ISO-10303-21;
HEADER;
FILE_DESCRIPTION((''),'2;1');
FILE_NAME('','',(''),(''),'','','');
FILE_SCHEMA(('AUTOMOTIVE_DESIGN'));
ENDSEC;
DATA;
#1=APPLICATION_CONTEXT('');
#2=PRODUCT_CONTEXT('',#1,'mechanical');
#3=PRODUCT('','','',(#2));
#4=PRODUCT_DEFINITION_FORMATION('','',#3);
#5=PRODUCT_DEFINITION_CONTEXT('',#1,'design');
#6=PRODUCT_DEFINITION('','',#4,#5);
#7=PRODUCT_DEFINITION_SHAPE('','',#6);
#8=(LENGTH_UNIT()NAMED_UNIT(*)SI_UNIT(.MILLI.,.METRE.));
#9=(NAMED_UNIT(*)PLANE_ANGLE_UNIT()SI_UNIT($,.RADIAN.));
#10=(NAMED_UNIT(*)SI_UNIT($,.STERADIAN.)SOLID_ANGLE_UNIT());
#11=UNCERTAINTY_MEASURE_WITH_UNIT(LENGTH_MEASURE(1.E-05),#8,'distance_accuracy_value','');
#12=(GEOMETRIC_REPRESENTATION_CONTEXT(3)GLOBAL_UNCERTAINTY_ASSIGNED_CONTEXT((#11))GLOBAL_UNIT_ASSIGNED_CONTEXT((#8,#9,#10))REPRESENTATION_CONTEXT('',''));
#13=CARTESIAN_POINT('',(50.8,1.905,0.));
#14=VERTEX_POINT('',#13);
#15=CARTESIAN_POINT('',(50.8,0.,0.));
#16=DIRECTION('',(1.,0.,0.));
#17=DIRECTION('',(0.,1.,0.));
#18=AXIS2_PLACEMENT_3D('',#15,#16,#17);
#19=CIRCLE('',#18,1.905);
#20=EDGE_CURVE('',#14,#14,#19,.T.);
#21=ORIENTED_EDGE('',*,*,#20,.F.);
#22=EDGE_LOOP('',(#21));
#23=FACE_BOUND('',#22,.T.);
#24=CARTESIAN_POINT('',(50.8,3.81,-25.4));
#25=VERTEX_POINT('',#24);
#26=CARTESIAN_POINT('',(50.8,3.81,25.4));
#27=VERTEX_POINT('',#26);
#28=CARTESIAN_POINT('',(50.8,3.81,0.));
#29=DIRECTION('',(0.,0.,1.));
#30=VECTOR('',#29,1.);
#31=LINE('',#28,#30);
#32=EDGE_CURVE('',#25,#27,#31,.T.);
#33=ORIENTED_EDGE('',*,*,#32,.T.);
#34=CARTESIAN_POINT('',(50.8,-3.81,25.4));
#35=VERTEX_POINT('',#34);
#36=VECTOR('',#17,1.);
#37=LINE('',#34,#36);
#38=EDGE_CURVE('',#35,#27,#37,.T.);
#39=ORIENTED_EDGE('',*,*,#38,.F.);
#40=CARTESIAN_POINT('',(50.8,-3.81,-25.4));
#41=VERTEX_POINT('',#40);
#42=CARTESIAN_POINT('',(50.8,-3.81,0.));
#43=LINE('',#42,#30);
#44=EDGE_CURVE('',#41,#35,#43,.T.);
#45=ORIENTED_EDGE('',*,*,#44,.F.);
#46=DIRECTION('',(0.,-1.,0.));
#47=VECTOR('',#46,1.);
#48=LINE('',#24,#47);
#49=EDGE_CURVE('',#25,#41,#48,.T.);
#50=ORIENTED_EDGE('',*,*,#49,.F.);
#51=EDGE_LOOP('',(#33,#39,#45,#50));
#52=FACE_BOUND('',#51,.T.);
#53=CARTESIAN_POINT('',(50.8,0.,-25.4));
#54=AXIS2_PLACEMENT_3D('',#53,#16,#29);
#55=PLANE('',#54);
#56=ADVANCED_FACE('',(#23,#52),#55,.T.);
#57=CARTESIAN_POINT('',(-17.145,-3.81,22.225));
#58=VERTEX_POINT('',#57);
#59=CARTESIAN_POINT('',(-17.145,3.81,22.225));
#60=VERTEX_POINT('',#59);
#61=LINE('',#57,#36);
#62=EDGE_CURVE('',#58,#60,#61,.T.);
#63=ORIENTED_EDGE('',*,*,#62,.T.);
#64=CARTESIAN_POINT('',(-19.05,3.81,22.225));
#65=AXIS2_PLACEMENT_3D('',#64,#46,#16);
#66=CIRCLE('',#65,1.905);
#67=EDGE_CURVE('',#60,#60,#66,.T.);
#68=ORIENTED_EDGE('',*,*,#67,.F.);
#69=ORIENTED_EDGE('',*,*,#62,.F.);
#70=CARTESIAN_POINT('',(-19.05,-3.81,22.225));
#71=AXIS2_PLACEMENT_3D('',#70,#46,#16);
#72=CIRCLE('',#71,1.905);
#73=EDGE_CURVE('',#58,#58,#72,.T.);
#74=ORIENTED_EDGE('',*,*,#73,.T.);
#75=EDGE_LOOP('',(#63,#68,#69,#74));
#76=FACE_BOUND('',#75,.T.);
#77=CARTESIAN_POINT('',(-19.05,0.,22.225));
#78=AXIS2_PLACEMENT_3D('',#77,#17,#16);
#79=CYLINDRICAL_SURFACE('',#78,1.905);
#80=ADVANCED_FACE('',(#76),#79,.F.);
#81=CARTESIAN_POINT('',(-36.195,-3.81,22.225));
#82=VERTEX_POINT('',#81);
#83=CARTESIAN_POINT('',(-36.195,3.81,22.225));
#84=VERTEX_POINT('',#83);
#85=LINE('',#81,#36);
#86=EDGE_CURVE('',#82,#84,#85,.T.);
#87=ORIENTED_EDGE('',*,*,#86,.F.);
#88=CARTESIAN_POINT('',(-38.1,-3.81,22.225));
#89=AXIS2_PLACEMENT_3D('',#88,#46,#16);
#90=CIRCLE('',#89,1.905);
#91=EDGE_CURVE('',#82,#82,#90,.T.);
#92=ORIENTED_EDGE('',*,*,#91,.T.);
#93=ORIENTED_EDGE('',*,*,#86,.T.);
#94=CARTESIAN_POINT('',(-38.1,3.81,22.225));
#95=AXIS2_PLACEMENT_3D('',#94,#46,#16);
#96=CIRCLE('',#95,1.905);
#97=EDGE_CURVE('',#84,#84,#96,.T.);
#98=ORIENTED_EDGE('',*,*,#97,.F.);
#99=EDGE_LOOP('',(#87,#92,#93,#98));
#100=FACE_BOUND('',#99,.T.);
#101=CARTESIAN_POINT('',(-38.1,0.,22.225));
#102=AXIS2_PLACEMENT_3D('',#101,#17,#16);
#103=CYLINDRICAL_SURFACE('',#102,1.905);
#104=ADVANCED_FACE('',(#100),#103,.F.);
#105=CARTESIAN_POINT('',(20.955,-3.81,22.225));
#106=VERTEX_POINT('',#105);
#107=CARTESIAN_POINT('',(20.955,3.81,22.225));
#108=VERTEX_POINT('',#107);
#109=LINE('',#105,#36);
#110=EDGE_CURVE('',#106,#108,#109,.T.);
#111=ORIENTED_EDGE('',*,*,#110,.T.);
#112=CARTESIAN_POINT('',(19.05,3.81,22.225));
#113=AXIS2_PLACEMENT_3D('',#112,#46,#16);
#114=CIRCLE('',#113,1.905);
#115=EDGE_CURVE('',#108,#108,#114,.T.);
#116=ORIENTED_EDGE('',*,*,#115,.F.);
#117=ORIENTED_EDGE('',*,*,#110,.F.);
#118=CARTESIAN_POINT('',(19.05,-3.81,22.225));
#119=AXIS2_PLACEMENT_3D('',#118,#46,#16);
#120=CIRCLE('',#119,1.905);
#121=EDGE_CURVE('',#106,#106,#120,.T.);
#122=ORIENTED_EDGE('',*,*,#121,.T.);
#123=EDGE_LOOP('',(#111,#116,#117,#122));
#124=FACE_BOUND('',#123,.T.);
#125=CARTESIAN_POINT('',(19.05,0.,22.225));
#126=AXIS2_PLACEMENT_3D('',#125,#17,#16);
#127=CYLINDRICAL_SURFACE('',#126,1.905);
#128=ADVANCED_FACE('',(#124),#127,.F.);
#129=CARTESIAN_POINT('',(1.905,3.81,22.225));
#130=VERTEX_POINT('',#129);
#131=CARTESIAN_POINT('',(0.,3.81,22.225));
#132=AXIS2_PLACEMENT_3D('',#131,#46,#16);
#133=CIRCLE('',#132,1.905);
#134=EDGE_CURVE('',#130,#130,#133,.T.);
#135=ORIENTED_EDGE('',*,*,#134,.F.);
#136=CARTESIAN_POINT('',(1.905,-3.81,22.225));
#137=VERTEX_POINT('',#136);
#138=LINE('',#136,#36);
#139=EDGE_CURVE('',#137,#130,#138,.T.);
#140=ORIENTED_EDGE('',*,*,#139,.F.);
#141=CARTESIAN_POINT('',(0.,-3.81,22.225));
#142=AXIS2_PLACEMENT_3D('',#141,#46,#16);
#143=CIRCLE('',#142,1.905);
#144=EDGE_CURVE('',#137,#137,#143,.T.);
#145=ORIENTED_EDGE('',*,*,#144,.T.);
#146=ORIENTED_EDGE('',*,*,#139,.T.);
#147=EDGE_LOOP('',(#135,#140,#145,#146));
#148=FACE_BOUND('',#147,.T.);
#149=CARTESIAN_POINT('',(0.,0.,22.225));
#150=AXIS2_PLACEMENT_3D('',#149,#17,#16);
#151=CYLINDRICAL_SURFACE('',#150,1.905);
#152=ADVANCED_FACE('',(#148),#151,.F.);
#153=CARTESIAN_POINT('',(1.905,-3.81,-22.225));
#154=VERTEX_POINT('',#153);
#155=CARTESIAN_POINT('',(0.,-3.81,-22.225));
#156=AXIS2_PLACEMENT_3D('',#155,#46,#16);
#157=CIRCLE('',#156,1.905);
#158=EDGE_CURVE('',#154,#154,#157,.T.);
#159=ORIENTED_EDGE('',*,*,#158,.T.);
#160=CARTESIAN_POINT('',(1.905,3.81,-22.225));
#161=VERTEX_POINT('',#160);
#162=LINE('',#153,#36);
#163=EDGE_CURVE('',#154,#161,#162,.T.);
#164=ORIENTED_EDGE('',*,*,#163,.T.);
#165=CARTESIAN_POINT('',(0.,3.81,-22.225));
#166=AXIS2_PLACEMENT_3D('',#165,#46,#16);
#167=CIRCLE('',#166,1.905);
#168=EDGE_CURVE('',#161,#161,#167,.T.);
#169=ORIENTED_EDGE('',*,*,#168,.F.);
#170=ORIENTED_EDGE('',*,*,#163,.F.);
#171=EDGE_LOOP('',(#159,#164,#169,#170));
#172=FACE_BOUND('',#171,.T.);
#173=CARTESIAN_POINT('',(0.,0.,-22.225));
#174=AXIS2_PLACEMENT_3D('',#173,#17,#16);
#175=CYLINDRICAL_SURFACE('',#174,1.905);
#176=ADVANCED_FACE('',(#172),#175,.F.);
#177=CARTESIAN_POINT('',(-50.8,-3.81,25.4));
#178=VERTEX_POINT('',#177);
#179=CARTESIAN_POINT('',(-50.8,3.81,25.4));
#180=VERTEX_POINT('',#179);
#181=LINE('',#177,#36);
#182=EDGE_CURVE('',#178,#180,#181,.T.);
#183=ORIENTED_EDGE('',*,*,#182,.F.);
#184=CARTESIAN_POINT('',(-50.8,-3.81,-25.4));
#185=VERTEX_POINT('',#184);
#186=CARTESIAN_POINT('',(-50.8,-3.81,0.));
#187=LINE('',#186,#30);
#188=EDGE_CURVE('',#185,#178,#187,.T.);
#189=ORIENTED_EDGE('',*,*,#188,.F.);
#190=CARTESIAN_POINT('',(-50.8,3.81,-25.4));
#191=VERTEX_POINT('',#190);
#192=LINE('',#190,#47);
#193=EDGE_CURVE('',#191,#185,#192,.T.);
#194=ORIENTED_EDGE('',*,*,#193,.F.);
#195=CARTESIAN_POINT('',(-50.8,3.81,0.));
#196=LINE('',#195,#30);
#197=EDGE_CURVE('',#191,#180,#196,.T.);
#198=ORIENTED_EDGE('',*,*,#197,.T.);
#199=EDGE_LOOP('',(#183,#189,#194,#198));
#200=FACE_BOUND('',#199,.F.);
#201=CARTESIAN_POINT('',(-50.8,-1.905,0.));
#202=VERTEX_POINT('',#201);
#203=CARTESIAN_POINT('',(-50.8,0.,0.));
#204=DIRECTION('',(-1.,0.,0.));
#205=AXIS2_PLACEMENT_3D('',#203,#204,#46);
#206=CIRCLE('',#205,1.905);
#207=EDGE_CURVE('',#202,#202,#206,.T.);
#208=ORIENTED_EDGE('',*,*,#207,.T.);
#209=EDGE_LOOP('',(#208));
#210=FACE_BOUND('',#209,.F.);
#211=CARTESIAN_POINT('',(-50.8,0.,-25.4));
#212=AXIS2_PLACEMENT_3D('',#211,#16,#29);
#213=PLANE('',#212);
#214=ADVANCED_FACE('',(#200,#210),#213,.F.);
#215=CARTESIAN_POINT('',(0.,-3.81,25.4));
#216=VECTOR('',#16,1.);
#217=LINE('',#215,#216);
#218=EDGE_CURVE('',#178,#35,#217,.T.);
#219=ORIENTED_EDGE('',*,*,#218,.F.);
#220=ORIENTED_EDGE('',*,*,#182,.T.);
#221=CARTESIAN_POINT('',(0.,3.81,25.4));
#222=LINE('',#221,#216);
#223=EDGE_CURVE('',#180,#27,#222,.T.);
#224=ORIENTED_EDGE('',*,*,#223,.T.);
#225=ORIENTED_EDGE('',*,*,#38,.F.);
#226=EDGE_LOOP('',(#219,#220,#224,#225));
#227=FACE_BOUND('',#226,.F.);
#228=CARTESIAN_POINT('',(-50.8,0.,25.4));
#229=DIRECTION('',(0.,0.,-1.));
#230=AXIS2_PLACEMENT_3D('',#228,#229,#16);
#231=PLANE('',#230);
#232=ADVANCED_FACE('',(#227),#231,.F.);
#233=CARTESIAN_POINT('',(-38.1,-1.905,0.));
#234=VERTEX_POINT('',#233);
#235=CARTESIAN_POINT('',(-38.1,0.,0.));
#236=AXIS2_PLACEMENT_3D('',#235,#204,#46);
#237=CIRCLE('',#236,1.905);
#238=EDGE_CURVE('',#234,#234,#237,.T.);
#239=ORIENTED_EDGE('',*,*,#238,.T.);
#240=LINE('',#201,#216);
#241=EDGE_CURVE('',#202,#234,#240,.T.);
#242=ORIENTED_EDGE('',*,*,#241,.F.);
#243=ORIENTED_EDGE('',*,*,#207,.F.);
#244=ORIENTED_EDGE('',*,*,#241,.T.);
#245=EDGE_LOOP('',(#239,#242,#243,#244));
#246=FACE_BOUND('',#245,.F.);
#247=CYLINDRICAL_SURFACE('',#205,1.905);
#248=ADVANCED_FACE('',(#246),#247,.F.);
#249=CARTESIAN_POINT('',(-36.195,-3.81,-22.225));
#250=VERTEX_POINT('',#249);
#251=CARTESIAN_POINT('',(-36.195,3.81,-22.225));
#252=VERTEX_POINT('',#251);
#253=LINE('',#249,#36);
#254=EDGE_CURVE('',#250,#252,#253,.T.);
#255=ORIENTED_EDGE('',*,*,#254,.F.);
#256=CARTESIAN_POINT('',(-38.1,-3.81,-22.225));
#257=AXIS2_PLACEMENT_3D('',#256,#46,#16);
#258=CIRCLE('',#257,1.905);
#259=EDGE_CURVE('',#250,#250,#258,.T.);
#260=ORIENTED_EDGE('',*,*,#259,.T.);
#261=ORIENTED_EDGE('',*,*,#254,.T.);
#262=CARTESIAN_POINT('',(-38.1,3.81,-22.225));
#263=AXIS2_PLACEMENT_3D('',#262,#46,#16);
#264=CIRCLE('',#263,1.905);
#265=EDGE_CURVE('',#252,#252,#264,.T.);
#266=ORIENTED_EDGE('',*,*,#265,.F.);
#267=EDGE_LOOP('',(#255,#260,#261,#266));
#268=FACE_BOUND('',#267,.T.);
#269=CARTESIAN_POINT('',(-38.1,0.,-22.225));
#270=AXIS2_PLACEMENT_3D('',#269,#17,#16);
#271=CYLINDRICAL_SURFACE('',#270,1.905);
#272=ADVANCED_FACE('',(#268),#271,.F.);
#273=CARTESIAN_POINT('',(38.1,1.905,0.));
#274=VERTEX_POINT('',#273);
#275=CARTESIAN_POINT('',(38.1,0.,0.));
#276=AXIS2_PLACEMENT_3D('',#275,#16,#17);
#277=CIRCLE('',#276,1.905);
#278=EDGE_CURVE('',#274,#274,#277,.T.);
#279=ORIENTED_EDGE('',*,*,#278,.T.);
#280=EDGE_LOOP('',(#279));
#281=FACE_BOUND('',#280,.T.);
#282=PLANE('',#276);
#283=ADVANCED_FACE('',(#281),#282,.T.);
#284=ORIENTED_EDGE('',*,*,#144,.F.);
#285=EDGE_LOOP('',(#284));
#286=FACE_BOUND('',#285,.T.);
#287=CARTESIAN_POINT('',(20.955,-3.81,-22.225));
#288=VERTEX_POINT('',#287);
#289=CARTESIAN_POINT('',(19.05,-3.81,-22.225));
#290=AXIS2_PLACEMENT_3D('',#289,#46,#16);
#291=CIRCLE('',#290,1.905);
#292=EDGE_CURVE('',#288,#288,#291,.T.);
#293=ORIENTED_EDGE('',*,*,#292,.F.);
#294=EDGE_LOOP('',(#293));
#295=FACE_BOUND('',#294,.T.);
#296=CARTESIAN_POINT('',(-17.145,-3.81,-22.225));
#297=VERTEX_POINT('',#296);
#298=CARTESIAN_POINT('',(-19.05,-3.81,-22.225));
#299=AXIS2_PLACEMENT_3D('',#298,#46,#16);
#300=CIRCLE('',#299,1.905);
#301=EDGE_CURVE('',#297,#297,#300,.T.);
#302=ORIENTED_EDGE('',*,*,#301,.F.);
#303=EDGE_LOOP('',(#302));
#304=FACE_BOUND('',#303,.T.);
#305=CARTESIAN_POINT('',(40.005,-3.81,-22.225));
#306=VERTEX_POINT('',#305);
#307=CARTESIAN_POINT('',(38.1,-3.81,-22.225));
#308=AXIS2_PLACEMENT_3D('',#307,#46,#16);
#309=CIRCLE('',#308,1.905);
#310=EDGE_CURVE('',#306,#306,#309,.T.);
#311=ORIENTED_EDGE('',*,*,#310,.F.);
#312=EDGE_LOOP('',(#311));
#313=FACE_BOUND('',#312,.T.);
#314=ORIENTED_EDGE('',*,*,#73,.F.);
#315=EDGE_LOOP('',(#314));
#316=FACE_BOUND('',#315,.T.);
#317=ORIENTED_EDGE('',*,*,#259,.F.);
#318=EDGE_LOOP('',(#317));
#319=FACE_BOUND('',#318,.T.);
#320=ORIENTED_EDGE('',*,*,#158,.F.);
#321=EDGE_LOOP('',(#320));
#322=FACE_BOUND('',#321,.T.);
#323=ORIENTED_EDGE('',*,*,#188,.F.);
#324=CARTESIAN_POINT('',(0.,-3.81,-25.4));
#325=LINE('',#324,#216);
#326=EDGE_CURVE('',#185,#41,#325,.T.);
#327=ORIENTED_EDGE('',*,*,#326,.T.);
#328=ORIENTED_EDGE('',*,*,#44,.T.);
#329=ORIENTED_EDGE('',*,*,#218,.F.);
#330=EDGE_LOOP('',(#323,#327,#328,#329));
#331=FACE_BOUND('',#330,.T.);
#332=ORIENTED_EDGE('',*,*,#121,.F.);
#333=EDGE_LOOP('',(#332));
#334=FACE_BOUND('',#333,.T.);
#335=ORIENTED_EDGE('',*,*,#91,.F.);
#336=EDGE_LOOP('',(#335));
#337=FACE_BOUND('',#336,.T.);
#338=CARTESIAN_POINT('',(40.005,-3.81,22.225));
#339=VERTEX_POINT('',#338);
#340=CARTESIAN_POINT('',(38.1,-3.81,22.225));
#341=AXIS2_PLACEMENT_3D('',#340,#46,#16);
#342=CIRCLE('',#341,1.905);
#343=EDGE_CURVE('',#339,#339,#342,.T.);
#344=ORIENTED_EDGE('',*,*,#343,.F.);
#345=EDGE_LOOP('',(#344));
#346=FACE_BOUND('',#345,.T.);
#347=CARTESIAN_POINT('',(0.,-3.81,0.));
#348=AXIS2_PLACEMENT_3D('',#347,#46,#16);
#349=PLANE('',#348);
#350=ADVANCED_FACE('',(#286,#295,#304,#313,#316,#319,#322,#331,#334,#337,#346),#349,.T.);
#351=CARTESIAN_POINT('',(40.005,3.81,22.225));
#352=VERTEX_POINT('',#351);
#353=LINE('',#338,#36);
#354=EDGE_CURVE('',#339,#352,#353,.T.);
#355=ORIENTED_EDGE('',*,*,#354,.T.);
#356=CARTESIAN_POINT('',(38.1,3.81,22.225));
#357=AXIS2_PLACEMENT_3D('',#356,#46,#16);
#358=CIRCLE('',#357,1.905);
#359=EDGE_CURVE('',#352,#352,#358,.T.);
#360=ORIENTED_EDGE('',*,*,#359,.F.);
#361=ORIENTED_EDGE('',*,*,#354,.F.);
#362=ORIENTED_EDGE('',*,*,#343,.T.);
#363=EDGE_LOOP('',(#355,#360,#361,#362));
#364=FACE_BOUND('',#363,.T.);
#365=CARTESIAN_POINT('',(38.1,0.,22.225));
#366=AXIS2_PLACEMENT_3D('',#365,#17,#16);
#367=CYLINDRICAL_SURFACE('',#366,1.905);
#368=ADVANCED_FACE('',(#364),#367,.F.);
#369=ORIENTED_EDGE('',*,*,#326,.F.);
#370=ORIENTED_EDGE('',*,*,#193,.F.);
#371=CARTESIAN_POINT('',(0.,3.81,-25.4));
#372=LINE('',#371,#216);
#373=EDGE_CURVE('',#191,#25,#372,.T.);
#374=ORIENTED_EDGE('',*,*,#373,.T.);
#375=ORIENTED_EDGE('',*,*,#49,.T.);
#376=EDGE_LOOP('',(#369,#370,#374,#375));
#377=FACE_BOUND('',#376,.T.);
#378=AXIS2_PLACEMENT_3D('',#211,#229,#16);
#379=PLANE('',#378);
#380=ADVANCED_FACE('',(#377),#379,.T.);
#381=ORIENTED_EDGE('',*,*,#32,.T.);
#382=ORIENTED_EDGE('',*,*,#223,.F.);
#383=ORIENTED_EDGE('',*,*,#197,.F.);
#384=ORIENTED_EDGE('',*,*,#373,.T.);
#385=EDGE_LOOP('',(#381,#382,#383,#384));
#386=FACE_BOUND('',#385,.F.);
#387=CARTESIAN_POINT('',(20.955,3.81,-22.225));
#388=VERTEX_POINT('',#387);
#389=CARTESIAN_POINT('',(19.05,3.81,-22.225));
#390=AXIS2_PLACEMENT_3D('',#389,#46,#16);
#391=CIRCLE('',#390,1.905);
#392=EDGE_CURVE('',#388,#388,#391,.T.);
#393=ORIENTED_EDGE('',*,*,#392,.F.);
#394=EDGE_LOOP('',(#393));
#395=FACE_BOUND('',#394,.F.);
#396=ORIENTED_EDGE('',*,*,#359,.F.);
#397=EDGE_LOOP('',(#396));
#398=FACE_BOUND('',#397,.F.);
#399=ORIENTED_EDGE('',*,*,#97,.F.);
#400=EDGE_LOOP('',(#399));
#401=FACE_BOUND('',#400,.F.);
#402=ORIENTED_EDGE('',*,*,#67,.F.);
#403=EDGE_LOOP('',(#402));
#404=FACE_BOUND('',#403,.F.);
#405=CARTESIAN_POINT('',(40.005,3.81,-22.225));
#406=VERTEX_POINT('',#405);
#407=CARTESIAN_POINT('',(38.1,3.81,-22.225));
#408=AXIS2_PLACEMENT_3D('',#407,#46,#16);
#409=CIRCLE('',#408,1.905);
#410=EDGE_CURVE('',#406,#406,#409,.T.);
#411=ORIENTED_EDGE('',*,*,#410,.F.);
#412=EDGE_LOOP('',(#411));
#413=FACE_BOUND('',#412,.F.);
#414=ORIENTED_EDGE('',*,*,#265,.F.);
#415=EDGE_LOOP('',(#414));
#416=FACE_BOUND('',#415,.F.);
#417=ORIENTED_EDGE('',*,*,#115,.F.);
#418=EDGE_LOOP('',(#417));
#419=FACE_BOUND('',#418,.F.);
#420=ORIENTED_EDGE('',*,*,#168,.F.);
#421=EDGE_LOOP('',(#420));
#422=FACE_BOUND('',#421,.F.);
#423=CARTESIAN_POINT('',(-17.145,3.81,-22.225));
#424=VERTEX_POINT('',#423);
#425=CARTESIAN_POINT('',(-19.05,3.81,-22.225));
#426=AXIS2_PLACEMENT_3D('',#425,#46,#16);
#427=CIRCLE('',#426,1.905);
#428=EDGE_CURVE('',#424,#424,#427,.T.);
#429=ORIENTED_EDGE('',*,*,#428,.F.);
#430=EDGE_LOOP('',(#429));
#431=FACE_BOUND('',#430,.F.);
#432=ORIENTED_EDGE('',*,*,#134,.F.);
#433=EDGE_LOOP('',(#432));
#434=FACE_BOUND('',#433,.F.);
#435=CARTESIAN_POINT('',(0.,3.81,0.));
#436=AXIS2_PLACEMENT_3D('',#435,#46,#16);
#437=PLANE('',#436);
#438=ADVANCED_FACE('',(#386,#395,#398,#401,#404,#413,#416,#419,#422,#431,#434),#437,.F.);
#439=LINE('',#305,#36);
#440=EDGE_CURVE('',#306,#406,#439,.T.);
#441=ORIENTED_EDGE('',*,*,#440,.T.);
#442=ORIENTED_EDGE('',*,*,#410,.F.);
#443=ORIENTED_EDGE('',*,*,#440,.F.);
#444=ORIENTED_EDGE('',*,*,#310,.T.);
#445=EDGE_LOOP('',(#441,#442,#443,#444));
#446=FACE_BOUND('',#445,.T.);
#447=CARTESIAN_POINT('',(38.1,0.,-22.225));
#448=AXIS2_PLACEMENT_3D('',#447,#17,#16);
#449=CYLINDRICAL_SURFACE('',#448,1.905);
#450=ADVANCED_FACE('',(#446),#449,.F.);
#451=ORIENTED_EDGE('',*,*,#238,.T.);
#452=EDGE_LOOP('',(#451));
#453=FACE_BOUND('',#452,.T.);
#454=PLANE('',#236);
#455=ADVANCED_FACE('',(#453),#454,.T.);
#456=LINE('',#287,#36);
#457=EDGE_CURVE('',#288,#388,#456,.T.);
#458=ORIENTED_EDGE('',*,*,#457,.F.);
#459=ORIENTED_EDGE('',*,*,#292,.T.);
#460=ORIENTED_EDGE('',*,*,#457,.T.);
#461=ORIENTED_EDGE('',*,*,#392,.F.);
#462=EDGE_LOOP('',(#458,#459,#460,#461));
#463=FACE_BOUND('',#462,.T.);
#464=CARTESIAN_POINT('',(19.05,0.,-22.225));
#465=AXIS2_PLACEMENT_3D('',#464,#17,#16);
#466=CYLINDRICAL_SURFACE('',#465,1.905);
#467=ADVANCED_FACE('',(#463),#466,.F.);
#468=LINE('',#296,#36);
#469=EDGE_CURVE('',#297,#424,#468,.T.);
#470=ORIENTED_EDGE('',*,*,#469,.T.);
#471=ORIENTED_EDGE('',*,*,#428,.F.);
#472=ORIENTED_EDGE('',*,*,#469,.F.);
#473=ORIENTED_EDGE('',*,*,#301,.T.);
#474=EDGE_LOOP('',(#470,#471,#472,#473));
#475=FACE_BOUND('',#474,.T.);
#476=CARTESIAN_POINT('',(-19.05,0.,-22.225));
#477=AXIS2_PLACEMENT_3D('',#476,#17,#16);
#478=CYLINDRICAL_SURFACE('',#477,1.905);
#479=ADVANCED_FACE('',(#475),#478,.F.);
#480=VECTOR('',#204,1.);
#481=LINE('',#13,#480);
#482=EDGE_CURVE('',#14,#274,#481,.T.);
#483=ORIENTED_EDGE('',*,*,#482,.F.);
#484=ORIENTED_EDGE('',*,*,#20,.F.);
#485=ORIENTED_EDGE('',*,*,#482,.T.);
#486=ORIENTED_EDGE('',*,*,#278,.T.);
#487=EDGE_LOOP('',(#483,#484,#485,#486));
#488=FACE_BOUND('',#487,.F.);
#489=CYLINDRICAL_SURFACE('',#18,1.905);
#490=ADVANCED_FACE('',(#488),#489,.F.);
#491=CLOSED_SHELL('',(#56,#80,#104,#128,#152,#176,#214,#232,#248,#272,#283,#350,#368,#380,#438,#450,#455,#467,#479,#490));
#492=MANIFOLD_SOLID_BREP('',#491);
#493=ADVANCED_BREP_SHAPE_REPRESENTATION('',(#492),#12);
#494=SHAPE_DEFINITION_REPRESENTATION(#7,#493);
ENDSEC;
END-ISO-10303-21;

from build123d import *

# Parameters (mm, degrees)
F0_W     = 101.6
F0_H     = 50.8
F0_R     = 1.905
F1_DEPTH = 3.81
F3_R     = 1.905
F4_DEPTH = 12.7
F6_R     = 1.905
F7_DEPTH = 12.7


with BuildPart() as f1:
    # F0 (on Front) → F1 (new body, symmetric)
    with BuildSketch(Plane.XZ):
        Rectangle(F0_W, F0_H)
        with Locations((-38.1, -22.225)):
            Circle(F0_R, mode=Mode.SUBTRACT)
        with Locations((-19.05, -22.225)):
            Circle(F0_R, mode=Mode.SUBTRACT)
        with Locations((0, -22.225)):
            Circle(F0_R, mode=Mode.SUBTRACT)
        with Locations((19.05, -22.225)):
            Circle(F0_R, mode=Mode.SUBTRACT)
        with Locations((38.1, -22.225)):
            Circle(F0_R, mode=Mode.SUBTRACT)
        with Locations((-38.1, 22.225)):
            Circle(F0_R, mode=Mode.SUBTRACT)
        with Locations((-19.05, 22.225)):
            Circle(F0_R, mode=Mode.SUBTRACT)
        with Locations((0, 22.225)):
            Circle(F0_R, mode=Mode.SUBTRACT)
        with Locations((19.05, 22.225)):
            Circle(F0_R, mode=Mode.SUBTRACT)
        with Locations((38.1, 22.225)):
            Circle(F0_R, mode=Mode.SUBTRACT)
    extrude(amount=F1_DEPTH, both=True)

    # F3 (on offset) → F4 (cut)
    with BuildSketch(Plane.YZ.offset(50.8)):
        Circle(F3_R)
    extrude(amount=-F4_DEPTH, mode=Mode.SUBTRACT)

    # F6 (on offset) → F7 (cut)
    with BuildSketch(Plane(origin=(-50.8, 0, 0), x_dir=(0, -1, 0), z_dir=(-1, 0, 0))):
        Circle(F6_R)
    extrude(amount=-F7_DEPTH, mode=Mode.SUBTRACT)


solid = f1.part
